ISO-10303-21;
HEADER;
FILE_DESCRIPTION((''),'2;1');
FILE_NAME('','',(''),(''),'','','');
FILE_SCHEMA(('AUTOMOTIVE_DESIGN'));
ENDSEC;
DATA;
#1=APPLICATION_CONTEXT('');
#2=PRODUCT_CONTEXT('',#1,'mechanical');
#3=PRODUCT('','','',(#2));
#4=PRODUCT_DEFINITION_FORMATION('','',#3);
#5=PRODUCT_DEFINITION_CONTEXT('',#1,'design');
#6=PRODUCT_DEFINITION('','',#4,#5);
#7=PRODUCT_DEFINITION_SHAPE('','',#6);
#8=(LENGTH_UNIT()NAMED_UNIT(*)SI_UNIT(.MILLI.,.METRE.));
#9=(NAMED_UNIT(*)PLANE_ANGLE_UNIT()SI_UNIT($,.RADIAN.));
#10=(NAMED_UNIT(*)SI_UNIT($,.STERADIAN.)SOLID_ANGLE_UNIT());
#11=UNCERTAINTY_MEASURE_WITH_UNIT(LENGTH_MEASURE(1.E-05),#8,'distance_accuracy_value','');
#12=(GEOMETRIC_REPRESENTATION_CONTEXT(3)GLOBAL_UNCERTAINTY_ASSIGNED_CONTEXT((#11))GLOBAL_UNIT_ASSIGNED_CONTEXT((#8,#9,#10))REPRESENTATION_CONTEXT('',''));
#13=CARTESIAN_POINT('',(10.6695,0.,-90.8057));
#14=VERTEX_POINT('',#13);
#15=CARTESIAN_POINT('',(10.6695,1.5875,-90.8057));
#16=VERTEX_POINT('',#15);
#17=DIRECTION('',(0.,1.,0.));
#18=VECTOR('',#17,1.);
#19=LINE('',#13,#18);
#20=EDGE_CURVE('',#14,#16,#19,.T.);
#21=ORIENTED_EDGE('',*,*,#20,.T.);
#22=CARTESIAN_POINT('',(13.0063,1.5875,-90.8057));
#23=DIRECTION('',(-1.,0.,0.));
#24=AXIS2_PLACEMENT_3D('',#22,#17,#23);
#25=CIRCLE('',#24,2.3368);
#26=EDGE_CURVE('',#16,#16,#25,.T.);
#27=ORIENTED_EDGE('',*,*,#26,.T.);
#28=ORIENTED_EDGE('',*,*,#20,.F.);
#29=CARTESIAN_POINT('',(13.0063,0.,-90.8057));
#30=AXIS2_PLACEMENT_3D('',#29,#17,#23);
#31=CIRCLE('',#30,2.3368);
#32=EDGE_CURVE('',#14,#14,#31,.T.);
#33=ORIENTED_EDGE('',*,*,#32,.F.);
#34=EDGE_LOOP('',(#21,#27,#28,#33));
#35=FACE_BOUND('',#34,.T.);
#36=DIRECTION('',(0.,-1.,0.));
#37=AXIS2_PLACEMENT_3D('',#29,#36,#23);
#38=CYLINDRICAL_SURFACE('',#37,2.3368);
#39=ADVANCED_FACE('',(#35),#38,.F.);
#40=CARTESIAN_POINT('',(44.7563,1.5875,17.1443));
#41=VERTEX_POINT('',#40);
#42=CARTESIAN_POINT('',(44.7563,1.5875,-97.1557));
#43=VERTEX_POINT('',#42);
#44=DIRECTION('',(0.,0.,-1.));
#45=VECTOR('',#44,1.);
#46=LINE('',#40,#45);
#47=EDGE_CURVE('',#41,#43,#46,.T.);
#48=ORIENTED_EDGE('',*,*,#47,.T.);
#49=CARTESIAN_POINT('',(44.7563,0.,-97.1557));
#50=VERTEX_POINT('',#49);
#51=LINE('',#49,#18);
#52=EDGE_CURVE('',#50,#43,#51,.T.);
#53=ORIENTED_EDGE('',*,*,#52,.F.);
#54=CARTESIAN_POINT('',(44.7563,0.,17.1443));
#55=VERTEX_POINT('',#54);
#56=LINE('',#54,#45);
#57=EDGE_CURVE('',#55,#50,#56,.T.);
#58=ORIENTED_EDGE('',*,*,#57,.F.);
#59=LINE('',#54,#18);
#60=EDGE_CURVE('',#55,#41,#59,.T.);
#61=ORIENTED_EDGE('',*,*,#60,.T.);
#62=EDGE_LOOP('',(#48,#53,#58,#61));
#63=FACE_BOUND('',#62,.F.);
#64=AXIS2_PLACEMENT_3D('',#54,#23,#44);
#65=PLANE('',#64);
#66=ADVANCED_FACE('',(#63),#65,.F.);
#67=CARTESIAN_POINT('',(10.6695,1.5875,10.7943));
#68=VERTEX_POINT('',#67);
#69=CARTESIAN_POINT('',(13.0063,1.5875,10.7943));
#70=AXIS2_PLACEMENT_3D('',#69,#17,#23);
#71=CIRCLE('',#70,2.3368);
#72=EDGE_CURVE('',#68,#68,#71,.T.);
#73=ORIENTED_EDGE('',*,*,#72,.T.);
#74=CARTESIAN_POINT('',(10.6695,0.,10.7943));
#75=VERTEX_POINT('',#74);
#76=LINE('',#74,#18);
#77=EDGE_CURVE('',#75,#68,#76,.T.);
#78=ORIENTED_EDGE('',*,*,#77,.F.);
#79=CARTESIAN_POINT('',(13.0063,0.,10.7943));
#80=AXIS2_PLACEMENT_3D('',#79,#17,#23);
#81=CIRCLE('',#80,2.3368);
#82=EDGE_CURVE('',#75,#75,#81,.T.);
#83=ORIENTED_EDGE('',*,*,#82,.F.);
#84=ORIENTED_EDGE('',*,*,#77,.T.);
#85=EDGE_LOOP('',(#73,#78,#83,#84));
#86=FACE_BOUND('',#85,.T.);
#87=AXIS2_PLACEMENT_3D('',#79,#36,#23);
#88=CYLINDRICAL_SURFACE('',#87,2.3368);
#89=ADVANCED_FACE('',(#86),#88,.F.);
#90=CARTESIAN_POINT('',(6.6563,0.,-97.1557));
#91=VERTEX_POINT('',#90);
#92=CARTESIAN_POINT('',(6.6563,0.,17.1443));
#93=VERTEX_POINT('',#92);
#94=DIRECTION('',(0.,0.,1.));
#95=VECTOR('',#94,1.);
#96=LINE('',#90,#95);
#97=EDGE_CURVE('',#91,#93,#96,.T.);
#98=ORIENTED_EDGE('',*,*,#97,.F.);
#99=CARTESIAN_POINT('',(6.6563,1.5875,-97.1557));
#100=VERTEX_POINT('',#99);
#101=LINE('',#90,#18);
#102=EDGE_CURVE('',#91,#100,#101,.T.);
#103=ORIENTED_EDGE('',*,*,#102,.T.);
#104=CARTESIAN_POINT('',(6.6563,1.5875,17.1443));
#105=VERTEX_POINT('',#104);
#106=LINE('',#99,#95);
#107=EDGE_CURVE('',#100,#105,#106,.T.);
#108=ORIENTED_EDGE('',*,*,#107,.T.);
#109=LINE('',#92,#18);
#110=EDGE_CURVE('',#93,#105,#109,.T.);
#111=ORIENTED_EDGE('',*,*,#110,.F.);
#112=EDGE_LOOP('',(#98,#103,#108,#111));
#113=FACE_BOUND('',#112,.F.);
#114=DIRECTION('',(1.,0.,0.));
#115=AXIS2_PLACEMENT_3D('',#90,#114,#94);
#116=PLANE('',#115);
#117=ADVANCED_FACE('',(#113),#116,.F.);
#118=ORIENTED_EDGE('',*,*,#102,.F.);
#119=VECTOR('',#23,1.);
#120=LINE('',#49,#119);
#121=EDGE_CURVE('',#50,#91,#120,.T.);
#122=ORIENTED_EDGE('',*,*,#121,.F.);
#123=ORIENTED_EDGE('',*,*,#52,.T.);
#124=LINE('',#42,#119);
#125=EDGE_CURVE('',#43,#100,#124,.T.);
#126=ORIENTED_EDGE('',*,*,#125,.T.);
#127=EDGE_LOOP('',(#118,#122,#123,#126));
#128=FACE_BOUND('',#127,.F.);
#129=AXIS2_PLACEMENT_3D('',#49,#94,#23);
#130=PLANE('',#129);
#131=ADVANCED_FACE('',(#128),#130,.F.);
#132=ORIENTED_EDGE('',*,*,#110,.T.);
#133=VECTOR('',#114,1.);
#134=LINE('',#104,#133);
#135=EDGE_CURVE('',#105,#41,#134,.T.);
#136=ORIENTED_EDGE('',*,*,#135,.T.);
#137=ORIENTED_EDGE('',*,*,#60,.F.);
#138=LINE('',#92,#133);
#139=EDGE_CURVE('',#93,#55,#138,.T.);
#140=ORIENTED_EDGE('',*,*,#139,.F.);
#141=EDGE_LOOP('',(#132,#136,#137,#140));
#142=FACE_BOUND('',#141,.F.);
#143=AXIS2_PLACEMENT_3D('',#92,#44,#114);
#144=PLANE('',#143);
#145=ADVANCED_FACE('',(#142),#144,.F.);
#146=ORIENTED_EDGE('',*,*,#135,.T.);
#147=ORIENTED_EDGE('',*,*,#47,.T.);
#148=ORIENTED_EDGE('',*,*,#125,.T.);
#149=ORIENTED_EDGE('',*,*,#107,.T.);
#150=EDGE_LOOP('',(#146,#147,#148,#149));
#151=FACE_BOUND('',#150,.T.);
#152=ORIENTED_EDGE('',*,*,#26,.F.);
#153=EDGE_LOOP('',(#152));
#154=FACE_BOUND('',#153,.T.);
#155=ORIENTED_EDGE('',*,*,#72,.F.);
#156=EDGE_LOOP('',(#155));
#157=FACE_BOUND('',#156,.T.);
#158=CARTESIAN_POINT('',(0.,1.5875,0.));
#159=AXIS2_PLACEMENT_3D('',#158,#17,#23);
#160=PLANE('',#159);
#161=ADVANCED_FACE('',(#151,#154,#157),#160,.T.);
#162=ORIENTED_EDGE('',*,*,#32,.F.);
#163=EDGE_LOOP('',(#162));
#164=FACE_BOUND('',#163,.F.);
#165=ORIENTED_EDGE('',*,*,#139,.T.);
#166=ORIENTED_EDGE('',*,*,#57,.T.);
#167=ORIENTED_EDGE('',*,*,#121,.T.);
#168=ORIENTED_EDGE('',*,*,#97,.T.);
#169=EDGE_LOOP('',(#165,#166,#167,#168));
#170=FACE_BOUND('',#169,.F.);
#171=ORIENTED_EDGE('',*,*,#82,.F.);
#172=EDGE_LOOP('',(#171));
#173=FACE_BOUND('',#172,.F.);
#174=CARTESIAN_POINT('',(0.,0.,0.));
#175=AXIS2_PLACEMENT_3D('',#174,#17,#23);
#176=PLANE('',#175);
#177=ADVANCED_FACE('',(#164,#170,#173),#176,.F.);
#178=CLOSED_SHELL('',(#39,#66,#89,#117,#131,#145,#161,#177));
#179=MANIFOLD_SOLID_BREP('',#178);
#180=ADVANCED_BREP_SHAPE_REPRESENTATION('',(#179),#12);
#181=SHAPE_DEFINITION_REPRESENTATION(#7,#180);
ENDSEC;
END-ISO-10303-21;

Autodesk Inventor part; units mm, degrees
ref_plane "YZ Plane" through (0, 0, 0) normal (1, 0, 0) x (0, 1, 0)
ref_plane "XZ Plane" through (0, 0, 0) normal (0, 1, 0) x (-1, 0, 0)
ref_plane "XY Plane" through (0, 0, 0) normal (0, 0, 1) x (1, 0, 0)
sketch "Sketch4" plane through (0, 0, 0) normal (0, 1, 0) x (-1, 0, 0)
  line L0 (-6.6563, 17.1443) -> (-44.7563, 17.1443)
  line L1 (-44.7563, 17.1443) -> (-44.7563, -97.1557)
  line L2 (-44.7563, -97.1557) -> (-6.6563, -97.1557)
  line L3 (-6.6563, -97.1557) -> (-6.6563, 17.1443)
  circle A0 centre (-13.0063, 10.7943) radius 2.3368
  circle A1 centre (-13.0063, -90.8057) radius 2.3368
  point P0 (0, 0)
  dimension "d41" = 38.1
  dimension "d42" = 114.3
  dimension "d43" = 4.6736
  dimension "d44" = 4.6736
  dimension "d45" = 6.35
  dimension "d46" = 6.35
  dimension "d47" = 6.35
  dimension "d48" = 6.35
extrude "Plate4" add sketch "Sketch4" along normal blind 1.5875
equation "\"d49\" = Thickness"
equation "\"BendRadius\" = Thickness"
equation "\"BendReliefWidth\" = Thickness"
equation "\"BendReliefDepth\" = 0.5 * Thickness"
equation "\"CornerReliefSize\" = 4 * Thickness"
equation "\"MinimumRemnant\" = 2 * Thickness"
equation "\"TransitionRadius\" = BendRadius"
equation "\"JacobiRadiusSize\" = BendRadius"
equation "\"GapSize\" = Thickness"
equation "\"Thickness\" = 1.5875"
properties part number "underside"
